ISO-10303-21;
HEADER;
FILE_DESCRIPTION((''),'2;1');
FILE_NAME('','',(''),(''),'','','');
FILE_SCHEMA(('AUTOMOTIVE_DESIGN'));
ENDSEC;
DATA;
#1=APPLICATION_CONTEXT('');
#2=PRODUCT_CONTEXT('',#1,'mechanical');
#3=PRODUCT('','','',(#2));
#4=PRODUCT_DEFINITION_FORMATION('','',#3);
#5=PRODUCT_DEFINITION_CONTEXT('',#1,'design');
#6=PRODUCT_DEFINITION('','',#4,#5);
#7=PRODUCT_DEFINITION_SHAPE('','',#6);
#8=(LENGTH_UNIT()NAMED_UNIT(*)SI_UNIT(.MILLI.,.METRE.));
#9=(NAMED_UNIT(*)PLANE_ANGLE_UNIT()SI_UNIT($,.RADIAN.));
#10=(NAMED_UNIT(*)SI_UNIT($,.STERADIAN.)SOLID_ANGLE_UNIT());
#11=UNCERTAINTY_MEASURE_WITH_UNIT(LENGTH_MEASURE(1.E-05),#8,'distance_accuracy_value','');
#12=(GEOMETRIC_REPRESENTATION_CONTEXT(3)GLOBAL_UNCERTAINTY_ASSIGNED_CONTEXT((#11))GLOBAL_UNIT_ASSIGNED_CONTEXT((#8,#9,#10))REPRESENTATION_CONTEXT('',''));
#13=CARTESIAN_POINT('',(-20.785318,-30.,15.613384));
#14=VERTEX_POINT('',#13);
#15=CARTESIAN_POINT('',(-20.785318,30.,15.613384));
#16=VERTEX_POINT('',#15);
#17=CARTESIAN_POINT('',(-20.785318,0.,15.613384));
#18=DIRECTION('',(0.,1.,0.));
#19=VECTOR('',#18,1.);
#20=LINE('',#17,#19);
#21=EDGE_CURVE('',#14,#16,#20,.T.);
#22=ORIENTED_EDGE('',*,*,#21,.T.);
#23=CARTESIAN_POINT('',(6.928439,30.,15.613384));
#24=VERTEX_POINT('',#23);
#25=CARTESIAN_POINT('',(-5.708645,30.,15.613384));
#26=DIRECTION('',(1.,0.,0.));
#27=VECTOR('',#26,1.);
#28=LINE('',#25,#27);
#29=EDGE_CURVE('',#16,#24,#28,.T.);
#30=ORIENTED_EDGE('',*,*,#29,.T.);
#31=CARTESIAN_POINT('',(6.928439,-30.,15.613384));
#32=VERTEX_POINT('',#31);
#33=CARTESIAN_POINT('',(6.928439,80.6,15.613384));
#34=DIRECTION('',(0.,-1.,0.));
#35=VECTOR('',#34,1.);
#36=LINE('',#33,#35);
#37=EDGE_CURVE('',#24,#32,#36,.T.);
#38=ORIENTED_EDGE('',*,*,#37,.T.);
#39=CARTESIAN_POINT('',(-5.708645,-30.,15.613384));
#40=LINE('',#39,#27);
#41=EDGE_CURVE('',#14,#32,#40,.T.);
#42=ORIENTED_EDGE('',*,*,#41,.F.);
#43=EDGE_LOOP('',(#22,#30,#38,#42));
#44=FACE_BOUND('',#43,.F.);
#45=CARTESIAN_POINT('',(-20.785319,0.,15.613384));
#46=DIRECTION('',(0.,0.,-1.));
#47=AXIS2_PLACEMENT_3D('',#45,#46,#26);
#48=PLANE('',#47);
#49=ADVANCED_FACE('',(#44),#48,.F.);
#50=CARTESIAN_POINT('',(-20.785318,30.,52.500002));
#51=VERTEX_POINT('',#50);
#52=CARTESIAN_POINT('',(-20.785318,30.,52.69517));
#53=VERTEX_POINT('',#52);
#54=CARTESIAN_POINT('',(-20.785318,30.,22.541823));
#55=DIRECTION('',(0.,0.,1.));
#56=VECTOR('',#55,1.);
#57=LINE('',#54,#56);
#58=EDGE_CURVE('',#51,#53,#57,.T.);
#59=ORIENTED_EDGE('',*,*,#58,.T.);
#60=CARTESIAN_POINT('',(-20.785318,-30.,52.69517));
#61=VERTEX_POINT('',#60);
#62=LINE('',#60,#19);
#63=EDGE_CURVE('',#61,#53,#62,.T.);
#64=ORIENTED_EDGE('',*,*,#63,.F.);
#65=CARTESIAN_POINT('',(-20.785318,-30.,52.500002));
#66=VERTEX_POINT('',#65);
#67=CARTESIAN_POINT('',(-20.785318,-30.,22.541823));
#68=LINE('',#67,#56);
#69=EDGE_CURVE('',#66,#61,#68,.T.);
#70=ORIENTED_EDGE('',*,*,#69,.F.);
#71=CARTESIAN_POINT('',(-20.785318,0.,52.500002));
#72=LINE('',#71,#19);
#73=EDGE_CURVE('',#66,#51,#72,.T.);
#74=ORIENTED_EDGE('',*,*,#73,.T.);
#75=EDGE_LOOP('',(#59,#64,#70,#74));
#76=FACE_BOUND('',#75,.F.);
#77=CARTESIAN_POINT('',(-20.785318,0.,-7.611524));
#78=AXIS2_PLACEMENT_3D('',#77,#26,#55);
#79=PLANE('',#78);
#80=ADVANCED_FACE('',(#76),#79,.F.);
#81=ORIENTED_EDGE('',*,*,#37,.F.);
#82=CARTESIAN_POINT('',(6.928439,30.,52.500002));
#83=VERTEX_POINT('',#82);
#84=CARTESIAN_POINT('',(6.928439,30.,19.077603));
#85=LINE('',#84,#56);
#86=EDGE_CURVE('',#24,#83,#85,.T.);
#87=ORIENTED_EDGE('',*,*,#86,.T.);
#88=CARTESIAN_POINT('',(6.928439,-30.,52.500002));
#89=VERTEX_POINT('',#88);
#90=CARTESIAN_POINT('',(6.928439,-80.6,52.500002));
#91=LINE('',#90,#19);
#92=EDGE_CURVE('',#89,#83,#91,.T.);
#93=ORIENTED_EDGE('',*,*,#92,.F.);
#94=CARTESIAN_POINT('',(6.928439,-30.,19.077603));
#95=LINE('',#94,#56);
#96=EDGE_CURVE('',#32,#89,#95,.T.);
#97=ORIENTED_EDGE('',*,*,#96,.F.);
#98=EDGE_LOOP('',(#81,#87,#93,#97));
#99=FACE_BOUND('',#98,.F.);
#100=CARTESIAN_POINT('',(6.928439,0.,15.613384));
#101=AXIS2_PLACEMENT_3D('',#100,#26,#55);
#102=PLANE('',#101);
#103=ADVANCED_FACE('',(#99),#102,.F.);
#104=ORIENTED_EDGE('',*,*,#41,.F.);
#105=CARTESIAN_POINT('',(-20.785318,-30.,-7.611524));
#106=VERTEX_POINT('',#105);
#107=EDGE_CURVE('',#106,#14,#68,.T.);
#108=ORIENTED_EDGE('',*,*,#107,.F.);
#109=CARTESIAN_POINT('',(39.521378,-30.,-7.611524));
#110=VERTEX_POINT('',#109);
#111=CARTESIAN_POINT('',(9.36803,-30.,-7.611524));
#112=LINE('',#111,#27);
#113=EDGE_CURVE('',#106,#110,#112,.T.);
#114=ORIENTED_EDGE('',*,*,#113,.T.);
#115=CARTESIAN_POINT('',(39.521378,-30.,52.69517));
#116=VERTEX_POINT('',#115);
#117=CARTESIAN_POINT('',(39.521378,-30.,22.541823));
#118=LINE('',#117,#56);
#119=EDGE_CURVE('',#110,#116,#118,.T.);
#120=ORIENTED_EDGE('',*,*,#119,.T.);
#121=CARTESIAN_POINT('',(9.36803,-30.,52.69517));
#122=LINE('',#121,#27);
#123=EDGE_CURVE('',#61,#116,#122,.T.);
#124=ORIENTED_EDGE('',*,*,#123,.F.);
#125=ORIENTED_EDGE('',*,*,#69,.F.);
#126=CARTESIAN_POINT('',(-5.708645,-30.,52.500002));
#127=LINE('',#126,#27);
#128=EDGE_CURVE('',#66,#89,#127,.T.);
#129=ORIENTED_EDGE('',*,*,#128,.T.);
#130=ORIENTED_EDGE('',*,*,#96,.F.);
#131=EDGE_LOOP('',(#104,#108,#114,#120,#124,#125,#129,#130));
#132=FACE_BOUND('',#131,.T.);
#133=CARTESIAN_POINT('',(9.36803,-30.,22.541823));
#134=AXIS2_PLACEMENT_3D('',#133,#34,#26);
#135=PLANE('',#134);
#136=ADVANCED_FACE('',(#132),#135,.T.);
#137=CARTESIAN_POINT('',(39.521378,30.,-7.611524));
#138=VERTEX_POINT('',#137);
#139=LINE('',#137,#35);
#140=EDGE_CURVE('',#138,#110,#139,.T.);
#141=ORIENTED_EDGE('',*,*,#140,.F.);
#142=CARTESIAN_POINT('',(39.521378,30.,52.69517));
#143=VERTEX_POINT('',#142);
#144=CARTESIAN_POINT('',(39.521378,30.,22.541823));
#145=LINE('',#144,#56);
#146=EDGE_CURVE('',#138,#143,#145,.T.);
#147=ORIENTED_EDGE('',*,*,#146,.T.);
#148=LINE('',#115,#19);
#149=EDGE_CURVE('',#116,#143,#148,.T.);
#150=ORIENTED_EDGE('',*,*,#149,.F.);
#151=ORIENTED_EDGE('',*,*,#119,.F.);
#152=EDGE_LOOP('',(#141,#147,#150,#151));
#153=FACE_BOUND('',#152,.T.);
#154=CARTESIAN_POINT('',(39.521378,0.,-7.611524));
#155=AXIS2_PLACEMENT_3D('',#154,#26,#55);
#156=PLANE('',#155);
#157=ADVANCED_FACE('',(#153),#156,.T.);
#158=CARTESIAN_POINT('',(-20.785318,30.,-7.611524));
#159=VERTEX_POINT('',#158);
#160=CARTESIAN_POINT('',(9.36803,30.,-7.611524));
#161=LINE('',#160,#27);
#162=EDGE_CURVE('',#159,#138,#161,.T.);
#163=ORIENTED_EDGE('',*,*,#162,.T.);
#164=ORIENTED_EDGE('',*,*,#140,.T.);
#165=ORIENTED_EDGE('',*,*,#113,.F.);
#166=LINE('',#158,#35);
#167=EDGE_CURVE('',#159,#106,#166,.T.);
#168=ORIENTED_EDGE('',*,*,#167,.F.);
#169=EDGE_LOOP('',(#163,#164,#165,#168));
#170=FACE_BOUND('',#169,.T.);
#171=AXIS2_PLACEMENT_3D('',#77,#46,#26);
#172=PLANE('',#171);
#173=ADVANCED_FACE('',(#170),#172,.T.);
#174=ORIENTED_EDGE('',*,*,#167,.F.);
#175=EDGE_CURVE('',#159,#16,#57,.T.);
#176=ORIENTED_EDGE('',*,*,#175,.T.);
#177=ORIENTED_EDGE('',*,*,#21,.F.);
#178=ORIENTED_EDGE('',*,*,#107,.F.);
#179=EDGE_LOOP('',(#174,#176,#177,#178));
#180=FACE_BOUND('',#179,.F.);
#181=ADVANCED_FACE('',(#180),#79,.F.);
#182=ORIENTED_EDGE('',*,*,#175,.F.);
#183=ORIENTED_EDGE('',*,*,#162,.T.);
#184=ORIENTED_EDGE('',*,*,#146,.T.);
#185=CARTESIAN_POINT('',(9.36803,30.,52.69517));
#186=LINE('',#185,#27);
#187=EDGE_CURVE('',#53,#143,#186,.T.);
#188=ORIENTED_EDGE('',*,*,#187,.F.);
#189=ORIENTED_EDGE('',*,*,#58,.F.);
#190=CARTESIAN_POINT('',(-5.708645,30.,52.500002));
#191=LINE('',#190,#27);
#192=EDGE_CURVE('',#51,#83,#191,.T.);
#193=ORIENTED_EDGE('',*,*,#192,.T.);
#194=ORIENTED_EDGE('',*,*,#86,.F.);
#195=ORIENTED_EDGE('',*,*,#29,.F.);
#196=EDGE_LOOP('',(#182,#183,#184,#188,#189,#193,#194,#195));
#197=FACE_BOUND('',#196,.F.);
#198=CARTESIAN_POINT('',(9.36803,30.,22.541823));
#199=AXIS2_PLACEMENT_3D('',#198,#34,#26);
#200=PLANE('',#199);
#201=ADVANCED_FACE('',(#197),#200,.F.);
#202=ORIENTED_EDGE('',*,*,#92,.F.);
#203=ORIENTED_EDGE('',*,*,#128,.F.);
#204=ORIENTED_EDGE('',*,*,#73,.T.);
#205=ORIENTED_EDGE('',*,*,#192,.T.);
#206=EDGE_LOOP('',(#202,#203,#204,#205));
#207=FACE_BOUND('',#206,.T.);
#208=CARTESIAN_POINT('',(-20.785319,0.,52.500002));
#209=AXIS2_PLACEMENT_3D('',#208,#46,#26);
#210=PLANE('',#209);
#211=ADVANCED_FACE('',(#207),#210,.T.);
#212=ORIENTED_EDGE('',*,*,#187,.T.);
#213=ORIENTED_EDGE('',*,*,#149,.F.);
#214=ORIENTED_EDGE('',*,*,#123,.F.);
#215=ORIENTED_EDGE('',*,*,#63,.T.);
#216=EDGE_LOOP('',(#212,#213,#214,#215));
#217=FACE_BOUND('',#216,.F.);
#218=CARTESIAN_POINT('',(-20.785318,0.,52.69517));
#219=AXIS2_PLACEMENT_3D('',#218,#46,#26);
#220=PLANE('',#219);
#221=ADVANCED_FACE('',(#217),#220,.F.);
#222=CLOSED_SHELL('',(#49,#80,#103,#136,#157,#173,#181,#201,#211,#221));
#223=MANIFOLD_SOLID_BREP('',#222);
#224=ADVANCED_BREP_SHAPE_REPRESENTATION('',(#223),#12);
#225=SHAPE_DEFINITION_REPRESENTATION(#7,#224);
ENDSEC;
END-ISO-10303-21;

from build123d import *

# Parameters (mm, degrees)
F0_W     = 60.306697
F0_H     = 60.306694
F1_DEPTH = 30
F2_W     = 27.713758
F2_H     = 36.886618
F3_DEPTH = 80.6


with BuildPart() as f1:
    # F0 (on Front) → F1 (new body, symmetric)
    with BuildSketch(Plane.XZ):
        with Locations((9.36803, 22.541823)):
            Rectangle(F0_W, F0_H)
    extrude(amount=F1_DEPTH, both=True)

    # F2 (on Front) → F3 (cut, symmetric)
    with BuildSketch(Plane.XZ):
        with Locations((-6.92844, 34.056693)):
            Rectangle(F2_W, F2_H)
    extrude(amount=F3_DEPTH, both=True, mode=Mode.SUBTRACT)


solid = f1.part
